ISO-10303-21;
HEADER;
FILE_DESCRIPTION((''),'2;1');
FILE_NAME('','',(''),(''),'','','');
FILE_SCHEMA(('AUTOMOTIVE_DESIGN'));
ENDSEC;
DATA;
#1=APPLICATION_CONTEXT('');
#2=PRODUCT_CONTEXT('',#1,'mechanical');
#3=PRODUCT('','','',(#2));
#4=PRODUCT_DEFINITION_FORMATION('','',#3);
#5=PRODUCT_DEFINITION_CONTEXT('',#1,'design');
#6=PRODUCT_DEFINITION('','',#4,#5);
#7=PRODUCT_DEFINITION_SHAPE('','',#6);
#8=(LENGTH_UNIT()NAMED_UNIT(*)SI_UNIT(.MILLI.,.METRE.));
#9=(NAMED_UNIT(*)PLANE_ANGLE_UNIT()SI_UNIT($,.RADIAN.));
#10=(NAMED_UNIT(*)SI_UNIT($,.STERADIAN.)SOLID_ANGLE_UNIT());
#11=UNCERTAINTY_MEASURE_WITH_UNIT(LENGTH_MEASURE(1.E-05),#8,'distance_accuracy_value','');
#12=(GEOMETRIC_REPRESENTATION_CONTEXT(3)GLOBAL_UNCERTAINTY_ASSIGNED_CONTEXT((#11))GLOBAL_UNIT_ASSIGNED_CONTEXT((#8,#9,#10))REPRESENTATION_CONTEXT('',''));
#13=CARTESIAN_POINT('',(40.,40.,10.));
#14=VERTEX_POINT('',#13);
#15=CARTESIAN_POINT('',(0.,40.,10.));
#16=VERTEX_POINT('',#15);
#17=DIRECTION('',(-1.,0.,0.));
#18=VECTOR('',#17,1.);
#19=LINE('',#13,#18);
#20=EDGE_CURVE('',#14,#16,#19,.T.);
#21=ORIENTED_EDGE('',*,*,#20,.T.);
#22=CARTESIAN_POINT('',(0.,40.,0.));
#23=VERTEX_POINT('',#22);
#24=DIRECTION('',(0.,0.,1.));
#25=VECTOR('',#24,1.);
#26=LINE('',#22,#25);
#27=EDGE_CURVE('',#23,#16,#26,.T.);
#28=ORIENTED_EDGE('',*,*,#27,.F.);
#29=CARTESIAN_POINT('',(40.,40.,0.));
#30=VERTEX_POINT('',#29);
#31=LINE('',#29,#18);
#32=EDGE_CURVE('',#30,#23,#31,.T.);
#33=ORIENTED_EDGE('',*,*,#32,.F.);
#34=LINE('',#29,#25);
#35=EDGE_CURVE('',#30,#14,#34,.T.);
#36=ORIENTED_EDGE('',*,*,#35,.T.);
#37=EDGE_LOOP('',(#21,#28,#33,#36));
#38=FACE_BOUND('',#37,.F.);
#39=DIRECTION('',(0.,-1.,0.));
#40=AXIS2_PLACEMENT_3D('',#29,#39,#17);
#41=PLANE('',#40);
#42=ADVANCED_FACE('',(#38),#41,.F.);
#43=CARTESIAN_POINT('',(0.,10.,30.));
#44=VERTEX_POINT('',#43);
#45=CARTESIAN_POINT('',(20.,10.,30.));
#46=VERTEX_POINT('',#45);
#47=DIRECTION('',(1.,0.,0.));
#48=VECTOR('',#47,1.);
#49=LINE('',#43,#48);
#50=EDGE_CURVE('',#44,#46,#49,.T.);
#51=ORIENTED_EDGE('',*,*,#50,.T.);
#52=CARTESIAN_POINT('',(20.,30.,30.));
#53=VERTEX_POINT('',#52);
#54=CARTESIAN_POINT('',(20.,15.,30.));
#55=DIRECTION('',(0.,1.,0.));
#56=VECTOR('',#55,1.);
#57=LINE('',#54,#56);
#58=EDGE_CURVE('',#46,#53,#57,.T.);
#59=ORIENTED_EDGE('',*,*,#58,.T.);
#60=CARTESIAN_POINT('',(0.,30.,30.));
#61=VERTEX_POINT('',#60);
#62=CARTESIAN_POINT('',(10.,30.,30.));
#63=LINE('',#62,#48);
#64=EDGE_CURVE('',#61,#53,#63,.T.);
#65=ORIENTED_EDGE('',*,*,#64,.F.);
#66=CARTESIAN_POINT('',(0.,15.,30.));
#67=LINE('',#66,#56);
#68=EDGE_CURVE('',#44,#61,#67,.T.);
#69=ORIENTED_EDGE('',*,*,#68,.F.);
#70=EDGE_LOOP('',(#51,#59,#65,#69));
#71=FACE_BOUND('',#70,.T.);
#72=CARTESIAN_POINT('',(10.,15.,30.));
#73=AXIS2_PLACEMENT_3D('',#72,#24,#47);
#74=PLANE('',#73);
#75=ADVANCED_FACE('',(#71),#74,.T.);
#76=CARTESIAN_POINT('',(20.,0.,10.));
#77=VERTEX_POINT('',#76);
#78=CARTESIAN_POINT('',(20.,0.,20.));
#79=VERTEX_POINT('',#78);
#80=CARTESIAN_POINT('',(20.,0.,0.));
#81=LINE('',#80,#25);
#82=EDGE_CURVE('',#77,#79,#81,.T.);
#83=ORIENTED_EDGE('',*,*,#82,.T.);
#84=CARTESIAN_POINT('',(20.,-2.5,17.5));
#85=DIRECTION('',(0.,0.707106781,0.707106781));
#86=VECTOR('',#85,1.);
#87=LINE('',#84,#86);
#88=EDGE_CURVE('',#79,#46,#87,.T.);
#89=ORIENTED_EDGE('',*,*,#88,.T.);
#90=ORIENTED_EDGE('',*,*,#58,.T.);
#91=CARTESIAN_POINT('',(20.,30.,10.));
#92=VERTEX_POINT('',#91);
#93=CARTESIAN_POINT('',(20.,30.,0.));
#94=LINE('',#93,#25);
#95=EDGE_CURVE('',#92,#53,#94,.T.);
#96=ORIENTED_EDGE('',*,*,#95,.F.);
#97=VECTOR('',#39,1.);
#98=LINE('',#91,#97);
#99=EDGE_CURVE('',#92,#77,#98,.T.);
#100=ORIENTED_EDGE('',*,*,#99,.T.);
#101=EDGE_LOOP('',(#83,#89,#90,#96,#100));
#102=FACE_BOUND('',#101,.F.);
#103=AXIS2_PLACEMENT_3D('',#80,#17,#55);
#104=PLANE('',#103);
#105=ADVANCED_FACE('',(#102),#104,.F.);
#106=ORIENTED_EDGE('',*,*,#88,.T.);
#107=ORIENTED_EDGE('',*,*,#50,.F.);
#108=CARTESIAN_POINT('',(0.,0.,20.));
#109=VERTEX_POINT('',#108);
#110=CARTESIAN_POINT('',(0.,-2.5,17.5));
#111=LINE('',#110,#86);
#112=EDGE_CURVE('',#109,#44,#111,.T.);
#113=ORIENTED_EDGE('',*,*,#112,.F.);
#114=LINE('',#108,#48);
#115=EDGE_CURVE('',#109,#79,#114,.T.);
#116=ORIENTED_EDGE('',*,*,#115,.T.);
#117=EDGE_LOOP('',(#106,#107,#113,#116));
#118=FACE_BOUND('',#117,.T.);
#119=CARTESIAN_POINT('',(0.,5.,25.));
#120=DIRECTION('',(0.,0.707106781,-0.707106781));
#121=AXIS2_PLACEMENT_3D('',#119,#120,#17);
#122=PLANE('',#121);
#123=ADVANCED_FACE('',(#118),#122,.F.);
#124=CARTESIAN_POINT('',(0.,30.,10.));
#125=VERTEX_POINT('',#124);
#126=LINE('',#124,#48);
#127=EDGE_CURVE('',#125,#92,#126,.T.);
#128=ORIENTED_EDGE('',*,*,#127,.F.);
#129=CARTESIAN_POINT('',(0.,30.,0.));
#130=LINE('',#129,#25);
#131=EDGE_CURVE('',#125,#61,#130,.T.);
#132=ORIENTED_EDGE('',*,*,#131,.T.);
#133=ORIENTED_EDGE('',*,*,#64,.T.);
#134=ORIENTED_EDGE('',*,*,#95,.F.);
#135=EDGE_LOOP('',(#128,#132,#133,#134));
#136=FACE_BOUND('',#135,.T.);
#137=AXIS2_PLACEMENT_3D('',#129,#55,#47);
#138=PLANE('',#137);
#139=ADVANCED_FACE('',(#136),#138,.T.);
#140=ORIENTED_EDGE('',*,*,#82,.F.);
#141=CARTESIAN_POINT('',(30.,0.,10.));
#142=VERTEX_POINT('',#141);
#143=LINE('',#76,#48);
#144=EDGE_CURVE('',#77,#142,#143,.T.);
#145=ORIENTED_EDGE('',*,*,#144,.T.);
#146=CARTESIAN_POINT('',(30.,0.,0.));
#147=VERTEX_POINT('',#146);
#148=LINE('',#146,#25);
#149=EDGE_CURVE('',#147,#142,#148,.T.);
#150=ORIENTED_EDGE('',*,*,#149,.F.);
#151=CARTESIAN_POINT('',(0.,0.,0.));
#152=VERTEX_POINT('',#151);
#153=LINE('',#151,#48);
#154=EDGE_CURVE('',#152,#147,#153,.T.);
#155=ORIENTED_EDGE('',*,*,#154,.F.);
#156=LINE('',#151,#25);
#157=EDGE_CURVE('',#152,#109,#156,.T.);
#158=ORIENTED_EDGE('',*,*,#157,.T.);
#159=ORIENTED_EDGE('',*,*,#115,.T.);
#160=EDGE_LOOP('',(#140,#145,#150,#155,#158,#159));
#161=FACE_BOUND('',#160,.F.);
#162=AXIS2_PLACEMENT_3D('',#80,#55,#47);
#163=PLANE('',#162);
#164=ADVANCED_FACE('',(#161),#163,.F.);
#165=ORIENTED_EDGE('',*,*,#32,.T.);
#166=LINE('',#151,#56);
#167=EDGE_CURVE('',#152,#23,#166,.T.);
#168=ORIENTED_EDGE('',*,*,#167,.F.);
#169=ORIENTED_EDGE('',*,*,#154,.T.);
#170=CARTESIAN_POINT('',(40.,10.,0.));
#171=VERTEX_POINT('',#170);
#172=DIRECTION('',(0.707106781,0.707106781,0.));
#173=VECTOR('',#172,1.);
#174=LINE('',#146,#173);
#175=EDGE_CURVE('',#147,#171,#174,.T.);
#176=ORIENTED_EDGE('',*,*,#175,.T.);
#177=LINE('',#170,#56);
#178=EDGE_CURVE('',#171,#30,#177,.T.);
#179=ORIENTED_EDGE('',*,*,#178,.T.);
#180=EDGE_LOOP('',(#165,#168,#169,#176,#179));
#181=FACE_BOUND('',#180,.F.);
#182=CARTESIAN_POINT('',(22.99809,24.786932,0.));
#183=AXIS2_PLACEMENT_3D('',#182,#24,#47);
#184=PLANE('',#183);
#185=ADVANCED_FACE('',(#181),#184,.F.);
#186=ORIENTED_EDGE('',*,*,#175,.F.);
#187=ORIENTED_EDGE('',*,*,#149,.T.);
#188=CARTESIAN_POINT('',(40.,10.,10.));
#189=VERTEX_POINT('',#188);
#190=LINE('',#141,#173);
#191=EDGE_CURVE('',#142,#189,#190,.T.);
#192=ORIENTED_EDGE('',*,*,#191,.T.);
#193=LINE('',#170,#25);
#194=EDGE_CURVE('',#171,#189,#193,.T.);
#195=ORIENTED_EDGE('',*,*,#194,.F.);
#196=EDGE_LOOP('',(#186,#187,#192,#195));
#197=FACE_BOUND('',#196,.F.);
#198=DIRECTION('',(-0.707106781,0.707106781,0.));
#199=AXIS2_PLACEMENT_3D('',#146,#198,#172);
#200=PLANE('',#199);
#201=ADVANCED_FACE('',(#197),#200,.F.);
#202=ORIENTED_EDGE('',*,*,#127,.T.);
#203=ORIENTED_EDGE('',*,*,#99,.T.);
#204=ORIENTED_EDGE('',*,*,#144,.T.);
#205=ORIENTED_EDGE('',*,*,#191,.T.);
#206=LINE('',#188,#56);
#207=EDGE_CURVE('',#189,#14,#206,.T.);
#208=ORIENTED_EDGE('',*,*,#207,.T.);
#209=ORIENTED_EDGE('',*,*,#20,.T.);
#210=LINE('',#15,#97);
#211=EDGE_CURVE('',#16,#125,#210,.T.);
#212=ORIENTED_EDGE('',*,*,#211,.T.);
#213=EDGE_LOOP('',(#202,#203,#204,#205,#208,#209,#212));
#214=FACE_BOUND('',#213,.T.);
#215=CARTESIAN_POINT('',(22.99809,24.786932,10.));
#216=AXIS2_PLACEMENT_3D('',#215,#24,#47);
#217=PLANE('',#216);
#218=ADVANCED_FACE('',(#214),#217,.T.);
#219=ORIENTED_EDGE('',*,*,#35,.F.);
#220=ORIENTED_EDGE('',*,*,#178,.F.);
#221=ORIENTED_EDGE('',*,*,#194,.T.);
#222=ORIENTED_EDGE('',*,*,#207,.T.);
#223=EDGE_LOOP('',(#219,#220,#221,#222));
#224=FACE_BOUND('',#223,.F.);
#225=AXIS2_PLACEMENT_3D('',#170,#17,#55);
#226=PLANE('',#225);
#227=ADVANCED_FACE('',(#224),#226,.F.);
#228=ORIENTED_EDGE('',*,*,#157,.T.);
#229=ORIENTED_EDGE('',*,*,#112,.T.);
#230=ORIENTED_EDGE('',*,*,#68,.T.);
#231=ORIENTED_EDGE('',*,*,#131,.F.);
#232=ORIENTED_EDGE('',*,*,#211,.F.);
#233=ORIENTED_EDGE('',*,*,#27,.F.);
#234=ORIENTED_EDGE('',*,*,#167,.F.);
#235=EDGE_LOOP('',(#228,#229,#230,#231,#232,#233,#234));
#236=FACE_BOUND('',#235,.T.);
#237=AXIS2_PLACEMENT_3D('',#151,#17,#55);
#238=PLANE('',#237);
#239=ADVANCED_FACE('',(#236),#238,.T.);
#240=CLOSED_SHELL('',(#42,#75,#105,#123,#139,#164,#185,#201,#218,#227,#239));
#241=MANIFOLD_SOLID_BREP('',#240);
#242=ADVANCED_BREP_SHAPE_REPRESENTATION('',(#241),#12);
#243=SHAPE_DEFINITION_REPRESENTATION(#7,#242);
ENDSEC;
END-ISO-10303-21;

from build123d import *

# Parameters (mm, degrees)
F0_W     = 20
F0_H     = 30
F1_DEPTH = 30
F2_DEPTH = 10
F3_SIZE  = 10


with BuildPart() as f1:
    # F0 (on Top) → F1 (new body)
    with BuildSketch(Plane.XY):
        with Locations((10, 15)):
            Rectangle(F0_W, F0_H)
    extrude(amount=F1_DEPTH)

    # F0 (on Top) → F2 (join)
    with BuildSketch(Plane.XY):
        Polygon((20, 30), (20, 0), (30, 0), (40, 10), (40, 40), (0, 40), (0, 30), align=None)
    extrude(amount=F2_DEPTH)

    # F3
    f3_edges = [f1.edges().sort_by_distance(p)[0] for p in [
        (10, 0, 30),
    ]]
    chamfer(f3_edges, length=F3_SIZE)


solid = f1.part
